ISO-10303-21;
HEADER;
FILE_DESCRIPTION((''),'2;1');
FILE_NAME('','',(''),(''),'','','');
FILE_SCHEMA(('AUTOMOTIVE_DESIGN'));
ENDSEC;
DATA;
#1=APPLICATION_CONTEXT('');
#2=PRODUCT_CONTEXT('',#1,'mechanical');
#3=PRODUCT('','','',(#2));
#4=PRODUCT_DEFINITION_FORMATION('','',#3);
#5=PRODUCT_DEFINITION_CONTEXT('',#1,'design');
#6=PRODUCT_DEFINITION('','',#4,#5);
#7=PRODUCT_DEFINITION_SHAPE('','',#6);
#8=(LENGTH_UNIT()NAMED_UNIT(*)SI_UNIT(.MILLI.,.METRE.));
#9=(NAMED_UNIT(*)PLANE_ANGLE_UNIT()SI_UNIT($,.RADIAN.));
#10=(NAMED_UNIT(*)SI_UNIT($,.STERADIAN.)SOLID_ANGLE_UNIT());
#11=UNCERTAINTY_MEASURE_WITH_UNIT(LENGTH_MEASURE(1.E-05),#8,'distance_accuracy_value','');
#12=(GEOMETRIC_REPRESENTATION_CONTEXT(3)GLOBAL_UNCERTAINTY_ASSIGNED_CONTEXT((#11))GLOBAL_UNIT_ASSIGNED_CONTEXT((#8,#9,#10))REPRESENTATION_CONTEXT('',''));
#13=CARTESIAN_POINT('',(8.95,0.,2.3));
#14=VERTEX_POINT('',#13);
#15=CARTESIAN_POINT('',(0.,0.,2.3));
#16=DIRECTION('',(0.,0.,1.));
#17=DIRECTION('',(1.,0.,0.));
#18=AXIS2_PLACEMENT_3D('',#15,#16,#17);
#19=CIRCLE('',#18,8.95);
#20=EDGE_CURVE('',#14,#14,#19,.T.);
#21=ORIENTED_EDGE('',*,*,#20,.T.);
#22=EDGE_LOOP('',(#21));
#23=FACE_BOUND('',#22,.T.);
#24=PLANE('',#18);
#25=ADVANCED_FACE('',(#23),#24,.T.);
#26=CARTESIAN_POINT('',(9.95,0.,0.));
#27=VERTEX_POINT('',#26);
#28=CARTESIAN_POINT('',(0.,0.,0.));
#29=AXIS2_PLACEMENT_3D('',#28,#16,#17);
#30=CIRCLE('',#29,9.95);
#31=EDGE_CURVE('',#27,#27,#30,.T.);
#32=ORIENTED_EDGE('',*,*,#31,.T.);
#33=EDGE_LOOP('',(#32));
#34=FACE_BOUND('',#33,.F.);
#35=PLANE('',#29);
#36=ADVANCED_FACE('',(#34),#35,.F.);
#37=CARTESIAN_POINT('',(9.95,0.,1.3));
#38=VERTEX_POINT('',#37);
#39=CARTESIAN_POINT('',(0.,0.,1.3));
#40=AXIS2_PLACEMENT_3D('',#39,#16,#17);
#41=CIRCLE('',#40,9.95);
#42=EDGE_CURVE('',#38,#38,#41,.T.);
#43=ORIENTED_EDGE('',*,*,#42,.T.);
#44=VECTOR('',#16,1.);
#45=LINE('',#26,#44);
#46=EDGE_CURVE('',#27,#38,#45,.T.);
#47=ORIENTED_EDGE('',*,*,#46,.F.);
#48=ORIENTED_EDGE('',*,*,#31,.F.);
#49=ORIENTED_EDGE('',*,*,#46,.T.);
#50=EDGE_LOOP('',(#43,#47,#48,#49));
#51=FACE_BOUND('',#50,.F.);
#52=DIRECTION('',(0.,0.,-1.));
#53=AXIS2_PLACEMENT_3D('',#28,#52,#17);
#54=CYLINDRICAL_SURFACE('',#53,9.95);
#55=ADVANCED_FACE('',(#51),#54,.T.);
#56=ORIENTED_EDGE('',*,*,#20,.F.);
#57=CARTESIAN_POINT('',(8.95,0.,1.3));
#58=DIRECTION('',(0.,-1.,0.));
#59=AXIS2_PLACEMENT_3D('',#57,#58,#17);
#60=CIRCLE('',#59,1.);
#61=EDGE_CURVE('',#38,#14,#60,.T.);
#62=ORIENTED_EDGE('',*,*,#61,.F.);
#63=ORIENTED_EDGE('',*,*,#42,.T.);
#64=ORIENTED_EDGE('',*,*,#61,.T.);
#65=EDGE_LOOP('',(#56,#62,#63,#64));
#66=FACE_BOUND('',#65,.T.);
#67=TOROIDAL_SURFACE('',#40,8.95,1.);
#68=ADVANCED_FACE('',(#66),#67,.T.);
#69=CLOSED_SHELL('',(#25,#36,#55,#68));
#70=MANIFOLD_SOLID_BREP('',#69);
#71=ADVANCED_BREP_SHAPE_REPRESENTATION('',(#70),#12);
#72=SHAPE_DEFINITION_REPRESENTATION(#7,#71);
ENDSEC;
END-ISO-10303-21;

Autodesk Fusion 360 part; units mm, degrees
sketch "Sketch1" plane through (0, 0, 0) normal (0, 0, 1) x (1, 0, 0)
  circle A0 centre (0, 0) radius 9.95
  dimension "d1" = 19.9
extrude "Extrude1" add sketch "Sketch1" along normal blind 2.3
fillet "Fillet1" radius 1 1 faces at (-3.1693, 3.5342, 2.3)
sketch "Sketch2" plane through (0, 0, 2.3) normal (0, 0, 1) x (-1, 0, 0)
  circle A0 centre (0, 0) radius 8.95
